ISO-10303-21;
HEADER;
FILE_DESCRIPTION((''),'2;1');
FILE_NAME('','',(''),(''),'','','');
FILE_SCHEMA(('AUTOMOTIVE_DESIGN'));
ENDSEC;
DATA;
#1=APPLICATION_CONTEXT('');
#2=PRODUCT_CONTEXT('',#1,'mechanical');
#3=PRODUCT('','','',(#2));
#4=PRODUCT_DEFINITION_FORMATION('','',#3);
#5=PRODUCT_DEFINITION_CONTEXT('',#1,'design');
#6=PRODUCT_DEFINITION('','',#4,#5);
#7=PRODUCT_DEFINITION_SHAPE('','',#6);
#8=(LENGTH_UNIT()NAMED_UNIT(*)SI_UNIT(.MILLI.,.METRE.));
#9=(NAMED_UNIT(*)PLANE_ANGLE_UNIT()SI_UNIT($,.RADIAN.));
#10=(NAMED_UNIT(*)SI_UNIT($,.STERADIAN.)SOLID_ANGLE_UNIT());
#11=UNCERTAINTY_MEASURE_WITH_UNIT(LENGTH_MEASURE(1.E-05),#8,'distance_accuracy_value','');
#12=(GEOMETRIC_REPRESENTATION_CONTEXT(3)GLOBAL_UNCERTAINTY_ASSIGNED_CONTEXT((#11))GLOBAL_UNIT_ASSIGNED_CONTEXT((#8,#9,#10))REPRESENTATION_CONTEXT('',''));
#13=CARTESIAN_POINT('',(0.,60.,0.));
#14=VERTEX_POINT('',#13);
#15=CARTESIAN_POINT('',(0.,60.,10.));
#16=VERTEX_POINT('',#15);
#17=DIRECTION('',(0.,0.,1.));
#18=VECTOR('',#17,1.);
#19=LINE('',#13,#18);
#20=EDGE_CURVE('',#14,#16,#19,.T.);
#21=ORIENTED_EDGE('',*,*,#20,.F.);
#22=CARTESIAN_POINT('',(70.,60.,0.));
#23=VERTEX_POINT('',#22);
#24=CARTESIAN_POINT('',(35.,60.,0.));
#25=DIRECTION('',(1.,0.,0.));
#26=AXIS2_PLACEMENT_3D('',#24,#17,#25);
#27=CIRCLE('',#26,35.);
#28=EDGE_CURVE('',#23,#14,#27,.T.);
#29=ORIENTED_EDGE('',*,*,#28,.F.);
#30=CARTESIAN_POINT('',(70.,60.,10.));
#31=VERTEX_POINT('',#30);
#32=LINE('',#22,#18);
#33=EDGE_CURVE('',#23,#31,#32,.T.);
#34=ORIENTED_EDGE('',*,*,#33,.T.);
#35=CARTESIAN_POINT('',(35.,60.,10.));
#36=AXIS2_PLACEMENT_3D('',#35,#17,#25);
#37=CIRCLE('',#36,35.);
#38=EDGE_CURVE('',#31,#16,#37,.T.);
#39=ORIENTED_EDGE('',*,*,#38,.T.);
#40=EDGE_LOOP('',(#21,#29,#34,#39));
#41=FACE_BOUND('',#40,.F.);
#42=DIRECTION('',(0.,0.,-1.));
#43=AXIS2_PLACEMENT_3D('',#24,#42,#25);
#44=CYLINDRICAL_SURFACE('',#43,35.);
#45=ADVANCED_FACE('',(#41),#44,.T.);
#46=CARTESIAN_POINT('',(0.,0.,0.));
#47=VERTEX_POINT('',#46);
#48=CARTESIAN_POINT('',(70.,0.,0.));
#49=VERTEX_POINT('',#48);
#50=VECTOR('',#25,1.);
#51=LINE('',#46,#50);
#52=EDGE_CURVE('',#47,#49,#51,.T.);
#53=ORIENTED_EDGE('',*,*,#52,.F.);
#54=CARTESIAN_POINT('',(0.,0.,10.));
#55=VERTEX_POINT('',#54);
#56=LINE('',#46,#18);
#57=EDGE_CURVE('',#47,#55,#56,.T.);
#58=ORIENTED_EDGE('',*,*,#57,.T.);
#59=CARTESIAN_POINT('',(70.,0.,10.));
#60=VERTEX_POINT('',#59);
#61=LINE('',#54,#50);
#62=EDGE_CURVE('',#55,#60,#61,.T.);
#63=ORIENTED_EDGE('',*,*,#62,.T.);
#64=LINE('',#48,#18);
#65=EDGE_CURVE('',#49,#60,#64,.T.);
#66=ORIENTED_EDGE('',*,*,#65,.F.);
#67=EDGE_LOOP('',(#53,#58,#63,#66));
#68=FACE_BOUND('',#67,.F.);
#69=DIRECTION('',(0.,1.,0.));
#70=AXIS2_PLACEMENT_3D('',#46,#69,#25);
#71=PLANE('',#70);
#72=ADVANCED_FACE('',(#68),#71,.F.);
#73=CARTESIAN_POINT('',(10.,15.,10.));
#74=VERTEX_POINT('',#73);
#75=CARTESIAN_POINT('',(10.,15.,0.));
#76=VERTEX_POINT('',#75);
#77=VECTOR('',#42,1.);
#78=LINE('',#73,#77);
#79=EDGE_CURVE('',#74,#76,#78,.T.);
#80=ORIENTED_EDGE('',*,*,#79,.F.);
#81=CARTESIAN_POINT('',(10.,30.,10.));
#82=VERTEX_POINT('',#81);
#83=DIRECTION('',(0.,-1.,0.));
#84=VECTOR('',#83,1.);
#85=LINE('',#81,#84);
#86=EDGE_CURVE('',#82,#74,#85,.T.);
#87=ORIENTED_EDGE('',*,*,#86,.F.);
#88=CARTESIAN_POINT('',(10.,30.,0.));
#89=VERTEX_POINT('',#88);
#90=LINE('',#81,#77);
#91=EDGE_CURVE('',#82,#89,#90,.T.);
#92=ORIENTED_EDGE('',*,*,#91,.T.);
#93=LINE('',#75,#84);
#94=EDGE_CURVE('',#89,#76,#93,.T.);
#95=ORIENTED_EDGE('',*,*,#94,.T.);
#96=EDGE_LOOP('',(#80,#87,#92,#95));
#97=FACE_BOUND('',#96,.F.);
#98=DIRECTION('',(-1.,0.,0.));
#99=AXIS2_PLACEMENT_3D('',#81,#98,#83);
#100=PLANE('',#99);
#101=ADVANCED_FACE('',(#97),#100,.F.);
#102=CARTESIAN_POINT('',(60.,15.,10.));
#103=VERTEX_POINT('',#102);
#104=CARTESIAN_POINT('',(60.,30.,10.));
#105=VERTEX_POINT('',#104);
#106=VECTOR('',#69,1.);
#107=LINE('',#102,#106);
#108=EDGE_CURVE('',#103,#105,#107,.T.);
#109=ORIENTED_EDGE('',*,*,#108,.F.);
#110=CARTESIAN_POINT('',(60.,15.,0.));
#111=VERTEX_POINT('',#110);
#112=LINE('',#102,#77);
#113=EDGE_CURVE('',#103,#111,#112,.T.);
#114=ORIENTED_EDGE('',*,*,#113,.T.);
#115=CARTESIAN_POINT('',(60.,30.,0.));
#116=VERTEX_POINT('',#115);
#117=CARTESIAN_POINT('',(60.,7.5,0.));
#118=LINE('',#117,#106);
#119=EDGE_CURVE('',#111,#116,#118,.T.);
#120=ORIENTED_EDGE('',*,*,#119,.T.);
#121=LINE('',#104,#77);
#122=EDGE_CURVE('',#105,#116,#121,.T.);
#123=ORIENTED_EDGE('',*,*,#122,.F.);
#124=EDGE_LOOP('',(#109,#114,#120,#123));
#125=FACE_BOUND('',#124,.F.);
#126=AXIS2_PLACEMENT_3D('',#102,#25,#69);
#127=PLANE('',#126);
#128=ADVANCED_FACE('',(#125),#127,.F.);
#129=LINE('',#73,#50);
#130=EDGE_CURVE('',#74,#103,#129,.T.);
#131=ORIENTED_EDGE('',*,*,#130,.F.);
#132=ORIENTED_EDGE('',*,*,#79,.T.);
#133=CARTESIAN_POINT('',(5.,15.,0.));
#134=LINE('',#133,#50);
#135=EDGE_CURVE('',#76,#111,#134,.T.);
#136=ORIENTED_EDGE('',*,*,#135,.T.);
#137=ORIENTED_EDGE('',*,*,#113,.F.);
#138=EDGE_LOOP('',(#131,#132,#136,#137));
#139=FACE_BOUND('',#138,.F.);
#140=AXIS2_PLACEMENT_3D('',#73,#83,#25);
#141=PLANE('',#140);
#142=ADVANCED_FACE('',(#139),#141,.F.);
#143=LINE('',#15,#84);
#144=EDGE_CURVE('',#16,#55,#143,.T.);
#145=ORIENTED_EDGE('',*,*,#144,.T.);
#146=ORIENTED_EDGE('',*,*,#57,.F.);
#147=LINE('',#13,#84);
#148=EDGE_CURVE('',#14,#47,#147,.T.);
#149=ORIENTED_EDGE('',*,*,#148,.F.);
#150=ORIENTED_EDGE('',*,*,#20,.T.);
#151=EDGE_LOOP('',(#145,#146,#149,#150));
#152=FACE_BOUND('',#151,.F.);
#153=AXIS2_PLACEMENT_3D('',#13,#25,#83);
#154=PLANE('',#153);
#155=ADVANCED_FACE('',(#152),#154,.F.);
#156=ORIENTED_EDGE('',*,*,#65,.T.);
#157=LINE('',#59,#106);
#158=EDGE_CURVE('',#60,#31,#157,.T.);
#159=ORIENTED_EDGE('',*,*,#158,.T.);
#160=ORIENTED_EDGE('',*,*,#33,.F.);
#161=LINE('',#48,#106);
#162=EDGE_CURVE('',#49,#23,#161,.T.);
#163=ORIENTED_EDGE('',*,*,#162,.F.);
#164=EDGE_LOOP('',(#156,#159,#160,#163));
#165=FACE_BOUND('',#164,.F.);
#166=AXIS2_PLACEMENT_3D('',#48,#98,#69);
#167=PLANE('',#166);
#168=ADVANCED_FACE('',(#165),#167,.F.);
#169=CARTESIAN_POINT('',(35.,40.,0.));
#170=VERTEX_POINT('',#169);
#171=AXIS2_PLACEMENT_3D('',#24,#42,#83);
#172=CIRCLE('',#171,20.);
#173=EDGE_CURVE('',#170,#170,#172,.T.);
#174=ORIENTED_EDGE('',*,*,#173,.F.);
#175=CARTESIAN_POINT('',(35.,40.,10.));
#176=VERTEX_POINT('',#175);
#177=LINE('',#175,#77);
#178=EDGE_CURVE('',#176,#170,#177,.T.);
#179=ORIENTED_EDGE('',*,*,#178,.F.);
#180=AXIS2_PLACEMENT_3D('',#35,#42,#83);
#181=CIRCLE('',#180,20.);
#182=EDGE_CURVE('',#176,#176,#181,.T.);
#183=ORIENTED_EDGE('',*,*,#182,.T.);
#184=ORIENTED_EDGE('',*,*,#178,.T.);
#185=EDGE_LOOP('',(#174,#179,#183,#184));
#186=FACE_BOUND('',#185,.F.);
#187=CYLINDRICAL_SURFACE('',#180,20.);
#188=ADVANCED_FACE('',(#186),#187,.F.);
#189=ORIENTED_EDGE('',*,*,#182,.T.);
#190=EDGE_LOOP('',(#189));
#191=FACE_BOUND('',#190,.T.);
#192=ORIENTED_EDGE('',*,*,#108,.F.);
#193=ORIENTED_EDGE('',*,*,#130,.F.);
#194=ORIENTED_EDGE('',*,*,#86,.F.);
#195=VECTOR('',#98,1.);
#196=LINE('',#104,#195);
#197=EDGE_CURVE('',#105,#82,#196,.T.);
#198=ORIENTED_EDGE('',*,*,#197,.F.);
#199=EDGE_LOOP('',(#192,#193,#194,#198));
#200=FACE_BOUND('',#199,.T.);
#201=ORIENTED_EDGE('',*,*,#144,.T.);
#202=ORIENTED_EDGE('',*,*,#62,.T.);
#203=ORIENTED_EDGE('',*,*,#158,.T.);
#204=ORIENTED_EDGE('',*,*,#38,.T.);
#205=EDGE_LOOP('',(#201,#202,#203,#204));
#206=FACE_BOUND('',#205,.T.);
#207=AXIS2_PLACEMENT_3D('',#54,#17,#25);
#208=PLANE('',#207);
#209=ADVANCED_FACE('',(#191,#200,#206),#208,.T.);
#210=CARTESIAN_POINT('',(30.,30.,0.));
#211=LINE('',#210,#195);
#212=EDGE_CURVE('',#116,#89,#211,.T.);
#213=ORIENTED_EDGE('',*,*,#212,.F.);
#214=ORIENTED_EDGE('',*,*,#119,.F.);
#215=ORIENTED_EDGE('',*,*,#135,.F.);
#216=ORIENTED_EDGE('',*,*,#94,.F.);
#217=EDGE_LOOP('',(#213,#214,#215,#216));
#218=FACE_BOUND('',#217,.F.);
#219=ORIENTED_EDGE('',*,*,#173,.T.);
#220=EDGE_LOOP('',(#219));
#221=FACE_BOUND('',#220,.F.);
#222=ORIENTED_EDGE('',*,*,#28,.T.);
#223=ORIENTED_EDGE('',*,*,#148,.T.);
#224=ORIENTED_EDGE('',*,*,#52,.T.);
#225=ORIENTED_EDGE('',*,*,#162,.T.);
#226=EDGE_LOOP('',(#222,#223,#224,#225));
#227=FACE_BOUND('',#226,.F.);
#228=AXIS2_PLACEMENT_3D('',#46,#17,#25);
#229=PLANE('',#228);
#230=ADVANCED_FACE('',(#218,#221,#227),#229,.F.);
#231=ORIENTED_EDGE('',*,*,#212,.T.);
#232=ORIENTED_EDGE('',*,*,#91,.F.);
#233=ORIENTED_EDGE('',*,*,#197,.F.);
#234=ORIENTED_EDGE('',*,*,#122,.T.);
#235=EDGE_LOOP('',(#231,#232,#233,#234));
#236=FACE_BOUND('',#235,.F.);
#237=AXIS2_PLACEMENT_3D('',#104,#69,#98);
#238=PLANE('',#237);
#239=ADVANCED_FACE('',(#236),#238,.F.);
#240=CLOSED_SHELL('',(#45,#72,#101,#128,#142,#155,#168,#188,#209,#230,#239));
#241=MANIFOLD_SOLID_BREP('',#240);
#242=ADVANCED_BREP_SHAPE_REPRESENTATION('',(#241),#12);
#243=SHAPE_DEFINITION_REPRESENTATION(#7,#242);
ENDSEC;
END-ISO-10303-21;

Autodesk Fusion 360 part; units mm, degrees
sketch "Sketch1" plane through (0, 0, 0) normal (0, 0, 1) x (1, 0, 0)
  line L0 (0, 0) -> (70, 0)
  line L1 (70, 0) -> (70, 60)
  line L2 (55, 60) -> (15, 60)
  line L3 (0, 60) -> (0, 0)
  circle A0 centre (35, 60) radius 20
  arc A1 (70, 60) -> (0, 60) centre (35, 60) ccw
  dimension "d1" = 70
  dimension "d2" = 60
  dimension "d4" = 40
  dimension "d5" = 35
sketch "Sketch3" plane through (0, 0, 0) normal (0, 0, 1) x (1, 0, 0)
  line L0 (0, 0) -> (70, 0)
  line L1 (70, 0) -> (70, 60)
  line L2 (0, 60) -> (0, 0)
  arc A0 (70, 60) -> (0, 60) centre (35, 60) ccw
  dimension "d14" = 70
  dimension "d15" = 60
extrude "Extrude3" add sketch "Sketch3" along normal blind 10
hole "Hole1" at (35, 60, 10) direction (0, 0, -1) diameter 40 end through all
sketch "Sketch4" plane through (0, 0, 10) normal (0, 0, 1) x (-1, 0, 0)
  circle A0 centre (-35, -60) radius 20
  arc A1 (-70, -60) -> (0, -60) centre (-35, -60) ccw
  line L0 (0, -60) -> (0, 0)
  line L1 (0, 0) -> (-70, 0)
  line L2 (-70, 0) -> (-70, -60)
  line L3 (-10, -15) -> (-60, -15)
  line L4 (-60, -15) -> (-60, -30)
  line L5 (-60, -30) -> (-10, -30)
  line L6 (-10, -30) -> (-10, -15)
  dimension "d21" = 50
  dimension "d22" = 15
  dimension "d23" = 10
  dimension "d24" = 15
extrude "Extrude4" cut sketch "Sketch4" against normal through all contours L3 L4 L5 L6
